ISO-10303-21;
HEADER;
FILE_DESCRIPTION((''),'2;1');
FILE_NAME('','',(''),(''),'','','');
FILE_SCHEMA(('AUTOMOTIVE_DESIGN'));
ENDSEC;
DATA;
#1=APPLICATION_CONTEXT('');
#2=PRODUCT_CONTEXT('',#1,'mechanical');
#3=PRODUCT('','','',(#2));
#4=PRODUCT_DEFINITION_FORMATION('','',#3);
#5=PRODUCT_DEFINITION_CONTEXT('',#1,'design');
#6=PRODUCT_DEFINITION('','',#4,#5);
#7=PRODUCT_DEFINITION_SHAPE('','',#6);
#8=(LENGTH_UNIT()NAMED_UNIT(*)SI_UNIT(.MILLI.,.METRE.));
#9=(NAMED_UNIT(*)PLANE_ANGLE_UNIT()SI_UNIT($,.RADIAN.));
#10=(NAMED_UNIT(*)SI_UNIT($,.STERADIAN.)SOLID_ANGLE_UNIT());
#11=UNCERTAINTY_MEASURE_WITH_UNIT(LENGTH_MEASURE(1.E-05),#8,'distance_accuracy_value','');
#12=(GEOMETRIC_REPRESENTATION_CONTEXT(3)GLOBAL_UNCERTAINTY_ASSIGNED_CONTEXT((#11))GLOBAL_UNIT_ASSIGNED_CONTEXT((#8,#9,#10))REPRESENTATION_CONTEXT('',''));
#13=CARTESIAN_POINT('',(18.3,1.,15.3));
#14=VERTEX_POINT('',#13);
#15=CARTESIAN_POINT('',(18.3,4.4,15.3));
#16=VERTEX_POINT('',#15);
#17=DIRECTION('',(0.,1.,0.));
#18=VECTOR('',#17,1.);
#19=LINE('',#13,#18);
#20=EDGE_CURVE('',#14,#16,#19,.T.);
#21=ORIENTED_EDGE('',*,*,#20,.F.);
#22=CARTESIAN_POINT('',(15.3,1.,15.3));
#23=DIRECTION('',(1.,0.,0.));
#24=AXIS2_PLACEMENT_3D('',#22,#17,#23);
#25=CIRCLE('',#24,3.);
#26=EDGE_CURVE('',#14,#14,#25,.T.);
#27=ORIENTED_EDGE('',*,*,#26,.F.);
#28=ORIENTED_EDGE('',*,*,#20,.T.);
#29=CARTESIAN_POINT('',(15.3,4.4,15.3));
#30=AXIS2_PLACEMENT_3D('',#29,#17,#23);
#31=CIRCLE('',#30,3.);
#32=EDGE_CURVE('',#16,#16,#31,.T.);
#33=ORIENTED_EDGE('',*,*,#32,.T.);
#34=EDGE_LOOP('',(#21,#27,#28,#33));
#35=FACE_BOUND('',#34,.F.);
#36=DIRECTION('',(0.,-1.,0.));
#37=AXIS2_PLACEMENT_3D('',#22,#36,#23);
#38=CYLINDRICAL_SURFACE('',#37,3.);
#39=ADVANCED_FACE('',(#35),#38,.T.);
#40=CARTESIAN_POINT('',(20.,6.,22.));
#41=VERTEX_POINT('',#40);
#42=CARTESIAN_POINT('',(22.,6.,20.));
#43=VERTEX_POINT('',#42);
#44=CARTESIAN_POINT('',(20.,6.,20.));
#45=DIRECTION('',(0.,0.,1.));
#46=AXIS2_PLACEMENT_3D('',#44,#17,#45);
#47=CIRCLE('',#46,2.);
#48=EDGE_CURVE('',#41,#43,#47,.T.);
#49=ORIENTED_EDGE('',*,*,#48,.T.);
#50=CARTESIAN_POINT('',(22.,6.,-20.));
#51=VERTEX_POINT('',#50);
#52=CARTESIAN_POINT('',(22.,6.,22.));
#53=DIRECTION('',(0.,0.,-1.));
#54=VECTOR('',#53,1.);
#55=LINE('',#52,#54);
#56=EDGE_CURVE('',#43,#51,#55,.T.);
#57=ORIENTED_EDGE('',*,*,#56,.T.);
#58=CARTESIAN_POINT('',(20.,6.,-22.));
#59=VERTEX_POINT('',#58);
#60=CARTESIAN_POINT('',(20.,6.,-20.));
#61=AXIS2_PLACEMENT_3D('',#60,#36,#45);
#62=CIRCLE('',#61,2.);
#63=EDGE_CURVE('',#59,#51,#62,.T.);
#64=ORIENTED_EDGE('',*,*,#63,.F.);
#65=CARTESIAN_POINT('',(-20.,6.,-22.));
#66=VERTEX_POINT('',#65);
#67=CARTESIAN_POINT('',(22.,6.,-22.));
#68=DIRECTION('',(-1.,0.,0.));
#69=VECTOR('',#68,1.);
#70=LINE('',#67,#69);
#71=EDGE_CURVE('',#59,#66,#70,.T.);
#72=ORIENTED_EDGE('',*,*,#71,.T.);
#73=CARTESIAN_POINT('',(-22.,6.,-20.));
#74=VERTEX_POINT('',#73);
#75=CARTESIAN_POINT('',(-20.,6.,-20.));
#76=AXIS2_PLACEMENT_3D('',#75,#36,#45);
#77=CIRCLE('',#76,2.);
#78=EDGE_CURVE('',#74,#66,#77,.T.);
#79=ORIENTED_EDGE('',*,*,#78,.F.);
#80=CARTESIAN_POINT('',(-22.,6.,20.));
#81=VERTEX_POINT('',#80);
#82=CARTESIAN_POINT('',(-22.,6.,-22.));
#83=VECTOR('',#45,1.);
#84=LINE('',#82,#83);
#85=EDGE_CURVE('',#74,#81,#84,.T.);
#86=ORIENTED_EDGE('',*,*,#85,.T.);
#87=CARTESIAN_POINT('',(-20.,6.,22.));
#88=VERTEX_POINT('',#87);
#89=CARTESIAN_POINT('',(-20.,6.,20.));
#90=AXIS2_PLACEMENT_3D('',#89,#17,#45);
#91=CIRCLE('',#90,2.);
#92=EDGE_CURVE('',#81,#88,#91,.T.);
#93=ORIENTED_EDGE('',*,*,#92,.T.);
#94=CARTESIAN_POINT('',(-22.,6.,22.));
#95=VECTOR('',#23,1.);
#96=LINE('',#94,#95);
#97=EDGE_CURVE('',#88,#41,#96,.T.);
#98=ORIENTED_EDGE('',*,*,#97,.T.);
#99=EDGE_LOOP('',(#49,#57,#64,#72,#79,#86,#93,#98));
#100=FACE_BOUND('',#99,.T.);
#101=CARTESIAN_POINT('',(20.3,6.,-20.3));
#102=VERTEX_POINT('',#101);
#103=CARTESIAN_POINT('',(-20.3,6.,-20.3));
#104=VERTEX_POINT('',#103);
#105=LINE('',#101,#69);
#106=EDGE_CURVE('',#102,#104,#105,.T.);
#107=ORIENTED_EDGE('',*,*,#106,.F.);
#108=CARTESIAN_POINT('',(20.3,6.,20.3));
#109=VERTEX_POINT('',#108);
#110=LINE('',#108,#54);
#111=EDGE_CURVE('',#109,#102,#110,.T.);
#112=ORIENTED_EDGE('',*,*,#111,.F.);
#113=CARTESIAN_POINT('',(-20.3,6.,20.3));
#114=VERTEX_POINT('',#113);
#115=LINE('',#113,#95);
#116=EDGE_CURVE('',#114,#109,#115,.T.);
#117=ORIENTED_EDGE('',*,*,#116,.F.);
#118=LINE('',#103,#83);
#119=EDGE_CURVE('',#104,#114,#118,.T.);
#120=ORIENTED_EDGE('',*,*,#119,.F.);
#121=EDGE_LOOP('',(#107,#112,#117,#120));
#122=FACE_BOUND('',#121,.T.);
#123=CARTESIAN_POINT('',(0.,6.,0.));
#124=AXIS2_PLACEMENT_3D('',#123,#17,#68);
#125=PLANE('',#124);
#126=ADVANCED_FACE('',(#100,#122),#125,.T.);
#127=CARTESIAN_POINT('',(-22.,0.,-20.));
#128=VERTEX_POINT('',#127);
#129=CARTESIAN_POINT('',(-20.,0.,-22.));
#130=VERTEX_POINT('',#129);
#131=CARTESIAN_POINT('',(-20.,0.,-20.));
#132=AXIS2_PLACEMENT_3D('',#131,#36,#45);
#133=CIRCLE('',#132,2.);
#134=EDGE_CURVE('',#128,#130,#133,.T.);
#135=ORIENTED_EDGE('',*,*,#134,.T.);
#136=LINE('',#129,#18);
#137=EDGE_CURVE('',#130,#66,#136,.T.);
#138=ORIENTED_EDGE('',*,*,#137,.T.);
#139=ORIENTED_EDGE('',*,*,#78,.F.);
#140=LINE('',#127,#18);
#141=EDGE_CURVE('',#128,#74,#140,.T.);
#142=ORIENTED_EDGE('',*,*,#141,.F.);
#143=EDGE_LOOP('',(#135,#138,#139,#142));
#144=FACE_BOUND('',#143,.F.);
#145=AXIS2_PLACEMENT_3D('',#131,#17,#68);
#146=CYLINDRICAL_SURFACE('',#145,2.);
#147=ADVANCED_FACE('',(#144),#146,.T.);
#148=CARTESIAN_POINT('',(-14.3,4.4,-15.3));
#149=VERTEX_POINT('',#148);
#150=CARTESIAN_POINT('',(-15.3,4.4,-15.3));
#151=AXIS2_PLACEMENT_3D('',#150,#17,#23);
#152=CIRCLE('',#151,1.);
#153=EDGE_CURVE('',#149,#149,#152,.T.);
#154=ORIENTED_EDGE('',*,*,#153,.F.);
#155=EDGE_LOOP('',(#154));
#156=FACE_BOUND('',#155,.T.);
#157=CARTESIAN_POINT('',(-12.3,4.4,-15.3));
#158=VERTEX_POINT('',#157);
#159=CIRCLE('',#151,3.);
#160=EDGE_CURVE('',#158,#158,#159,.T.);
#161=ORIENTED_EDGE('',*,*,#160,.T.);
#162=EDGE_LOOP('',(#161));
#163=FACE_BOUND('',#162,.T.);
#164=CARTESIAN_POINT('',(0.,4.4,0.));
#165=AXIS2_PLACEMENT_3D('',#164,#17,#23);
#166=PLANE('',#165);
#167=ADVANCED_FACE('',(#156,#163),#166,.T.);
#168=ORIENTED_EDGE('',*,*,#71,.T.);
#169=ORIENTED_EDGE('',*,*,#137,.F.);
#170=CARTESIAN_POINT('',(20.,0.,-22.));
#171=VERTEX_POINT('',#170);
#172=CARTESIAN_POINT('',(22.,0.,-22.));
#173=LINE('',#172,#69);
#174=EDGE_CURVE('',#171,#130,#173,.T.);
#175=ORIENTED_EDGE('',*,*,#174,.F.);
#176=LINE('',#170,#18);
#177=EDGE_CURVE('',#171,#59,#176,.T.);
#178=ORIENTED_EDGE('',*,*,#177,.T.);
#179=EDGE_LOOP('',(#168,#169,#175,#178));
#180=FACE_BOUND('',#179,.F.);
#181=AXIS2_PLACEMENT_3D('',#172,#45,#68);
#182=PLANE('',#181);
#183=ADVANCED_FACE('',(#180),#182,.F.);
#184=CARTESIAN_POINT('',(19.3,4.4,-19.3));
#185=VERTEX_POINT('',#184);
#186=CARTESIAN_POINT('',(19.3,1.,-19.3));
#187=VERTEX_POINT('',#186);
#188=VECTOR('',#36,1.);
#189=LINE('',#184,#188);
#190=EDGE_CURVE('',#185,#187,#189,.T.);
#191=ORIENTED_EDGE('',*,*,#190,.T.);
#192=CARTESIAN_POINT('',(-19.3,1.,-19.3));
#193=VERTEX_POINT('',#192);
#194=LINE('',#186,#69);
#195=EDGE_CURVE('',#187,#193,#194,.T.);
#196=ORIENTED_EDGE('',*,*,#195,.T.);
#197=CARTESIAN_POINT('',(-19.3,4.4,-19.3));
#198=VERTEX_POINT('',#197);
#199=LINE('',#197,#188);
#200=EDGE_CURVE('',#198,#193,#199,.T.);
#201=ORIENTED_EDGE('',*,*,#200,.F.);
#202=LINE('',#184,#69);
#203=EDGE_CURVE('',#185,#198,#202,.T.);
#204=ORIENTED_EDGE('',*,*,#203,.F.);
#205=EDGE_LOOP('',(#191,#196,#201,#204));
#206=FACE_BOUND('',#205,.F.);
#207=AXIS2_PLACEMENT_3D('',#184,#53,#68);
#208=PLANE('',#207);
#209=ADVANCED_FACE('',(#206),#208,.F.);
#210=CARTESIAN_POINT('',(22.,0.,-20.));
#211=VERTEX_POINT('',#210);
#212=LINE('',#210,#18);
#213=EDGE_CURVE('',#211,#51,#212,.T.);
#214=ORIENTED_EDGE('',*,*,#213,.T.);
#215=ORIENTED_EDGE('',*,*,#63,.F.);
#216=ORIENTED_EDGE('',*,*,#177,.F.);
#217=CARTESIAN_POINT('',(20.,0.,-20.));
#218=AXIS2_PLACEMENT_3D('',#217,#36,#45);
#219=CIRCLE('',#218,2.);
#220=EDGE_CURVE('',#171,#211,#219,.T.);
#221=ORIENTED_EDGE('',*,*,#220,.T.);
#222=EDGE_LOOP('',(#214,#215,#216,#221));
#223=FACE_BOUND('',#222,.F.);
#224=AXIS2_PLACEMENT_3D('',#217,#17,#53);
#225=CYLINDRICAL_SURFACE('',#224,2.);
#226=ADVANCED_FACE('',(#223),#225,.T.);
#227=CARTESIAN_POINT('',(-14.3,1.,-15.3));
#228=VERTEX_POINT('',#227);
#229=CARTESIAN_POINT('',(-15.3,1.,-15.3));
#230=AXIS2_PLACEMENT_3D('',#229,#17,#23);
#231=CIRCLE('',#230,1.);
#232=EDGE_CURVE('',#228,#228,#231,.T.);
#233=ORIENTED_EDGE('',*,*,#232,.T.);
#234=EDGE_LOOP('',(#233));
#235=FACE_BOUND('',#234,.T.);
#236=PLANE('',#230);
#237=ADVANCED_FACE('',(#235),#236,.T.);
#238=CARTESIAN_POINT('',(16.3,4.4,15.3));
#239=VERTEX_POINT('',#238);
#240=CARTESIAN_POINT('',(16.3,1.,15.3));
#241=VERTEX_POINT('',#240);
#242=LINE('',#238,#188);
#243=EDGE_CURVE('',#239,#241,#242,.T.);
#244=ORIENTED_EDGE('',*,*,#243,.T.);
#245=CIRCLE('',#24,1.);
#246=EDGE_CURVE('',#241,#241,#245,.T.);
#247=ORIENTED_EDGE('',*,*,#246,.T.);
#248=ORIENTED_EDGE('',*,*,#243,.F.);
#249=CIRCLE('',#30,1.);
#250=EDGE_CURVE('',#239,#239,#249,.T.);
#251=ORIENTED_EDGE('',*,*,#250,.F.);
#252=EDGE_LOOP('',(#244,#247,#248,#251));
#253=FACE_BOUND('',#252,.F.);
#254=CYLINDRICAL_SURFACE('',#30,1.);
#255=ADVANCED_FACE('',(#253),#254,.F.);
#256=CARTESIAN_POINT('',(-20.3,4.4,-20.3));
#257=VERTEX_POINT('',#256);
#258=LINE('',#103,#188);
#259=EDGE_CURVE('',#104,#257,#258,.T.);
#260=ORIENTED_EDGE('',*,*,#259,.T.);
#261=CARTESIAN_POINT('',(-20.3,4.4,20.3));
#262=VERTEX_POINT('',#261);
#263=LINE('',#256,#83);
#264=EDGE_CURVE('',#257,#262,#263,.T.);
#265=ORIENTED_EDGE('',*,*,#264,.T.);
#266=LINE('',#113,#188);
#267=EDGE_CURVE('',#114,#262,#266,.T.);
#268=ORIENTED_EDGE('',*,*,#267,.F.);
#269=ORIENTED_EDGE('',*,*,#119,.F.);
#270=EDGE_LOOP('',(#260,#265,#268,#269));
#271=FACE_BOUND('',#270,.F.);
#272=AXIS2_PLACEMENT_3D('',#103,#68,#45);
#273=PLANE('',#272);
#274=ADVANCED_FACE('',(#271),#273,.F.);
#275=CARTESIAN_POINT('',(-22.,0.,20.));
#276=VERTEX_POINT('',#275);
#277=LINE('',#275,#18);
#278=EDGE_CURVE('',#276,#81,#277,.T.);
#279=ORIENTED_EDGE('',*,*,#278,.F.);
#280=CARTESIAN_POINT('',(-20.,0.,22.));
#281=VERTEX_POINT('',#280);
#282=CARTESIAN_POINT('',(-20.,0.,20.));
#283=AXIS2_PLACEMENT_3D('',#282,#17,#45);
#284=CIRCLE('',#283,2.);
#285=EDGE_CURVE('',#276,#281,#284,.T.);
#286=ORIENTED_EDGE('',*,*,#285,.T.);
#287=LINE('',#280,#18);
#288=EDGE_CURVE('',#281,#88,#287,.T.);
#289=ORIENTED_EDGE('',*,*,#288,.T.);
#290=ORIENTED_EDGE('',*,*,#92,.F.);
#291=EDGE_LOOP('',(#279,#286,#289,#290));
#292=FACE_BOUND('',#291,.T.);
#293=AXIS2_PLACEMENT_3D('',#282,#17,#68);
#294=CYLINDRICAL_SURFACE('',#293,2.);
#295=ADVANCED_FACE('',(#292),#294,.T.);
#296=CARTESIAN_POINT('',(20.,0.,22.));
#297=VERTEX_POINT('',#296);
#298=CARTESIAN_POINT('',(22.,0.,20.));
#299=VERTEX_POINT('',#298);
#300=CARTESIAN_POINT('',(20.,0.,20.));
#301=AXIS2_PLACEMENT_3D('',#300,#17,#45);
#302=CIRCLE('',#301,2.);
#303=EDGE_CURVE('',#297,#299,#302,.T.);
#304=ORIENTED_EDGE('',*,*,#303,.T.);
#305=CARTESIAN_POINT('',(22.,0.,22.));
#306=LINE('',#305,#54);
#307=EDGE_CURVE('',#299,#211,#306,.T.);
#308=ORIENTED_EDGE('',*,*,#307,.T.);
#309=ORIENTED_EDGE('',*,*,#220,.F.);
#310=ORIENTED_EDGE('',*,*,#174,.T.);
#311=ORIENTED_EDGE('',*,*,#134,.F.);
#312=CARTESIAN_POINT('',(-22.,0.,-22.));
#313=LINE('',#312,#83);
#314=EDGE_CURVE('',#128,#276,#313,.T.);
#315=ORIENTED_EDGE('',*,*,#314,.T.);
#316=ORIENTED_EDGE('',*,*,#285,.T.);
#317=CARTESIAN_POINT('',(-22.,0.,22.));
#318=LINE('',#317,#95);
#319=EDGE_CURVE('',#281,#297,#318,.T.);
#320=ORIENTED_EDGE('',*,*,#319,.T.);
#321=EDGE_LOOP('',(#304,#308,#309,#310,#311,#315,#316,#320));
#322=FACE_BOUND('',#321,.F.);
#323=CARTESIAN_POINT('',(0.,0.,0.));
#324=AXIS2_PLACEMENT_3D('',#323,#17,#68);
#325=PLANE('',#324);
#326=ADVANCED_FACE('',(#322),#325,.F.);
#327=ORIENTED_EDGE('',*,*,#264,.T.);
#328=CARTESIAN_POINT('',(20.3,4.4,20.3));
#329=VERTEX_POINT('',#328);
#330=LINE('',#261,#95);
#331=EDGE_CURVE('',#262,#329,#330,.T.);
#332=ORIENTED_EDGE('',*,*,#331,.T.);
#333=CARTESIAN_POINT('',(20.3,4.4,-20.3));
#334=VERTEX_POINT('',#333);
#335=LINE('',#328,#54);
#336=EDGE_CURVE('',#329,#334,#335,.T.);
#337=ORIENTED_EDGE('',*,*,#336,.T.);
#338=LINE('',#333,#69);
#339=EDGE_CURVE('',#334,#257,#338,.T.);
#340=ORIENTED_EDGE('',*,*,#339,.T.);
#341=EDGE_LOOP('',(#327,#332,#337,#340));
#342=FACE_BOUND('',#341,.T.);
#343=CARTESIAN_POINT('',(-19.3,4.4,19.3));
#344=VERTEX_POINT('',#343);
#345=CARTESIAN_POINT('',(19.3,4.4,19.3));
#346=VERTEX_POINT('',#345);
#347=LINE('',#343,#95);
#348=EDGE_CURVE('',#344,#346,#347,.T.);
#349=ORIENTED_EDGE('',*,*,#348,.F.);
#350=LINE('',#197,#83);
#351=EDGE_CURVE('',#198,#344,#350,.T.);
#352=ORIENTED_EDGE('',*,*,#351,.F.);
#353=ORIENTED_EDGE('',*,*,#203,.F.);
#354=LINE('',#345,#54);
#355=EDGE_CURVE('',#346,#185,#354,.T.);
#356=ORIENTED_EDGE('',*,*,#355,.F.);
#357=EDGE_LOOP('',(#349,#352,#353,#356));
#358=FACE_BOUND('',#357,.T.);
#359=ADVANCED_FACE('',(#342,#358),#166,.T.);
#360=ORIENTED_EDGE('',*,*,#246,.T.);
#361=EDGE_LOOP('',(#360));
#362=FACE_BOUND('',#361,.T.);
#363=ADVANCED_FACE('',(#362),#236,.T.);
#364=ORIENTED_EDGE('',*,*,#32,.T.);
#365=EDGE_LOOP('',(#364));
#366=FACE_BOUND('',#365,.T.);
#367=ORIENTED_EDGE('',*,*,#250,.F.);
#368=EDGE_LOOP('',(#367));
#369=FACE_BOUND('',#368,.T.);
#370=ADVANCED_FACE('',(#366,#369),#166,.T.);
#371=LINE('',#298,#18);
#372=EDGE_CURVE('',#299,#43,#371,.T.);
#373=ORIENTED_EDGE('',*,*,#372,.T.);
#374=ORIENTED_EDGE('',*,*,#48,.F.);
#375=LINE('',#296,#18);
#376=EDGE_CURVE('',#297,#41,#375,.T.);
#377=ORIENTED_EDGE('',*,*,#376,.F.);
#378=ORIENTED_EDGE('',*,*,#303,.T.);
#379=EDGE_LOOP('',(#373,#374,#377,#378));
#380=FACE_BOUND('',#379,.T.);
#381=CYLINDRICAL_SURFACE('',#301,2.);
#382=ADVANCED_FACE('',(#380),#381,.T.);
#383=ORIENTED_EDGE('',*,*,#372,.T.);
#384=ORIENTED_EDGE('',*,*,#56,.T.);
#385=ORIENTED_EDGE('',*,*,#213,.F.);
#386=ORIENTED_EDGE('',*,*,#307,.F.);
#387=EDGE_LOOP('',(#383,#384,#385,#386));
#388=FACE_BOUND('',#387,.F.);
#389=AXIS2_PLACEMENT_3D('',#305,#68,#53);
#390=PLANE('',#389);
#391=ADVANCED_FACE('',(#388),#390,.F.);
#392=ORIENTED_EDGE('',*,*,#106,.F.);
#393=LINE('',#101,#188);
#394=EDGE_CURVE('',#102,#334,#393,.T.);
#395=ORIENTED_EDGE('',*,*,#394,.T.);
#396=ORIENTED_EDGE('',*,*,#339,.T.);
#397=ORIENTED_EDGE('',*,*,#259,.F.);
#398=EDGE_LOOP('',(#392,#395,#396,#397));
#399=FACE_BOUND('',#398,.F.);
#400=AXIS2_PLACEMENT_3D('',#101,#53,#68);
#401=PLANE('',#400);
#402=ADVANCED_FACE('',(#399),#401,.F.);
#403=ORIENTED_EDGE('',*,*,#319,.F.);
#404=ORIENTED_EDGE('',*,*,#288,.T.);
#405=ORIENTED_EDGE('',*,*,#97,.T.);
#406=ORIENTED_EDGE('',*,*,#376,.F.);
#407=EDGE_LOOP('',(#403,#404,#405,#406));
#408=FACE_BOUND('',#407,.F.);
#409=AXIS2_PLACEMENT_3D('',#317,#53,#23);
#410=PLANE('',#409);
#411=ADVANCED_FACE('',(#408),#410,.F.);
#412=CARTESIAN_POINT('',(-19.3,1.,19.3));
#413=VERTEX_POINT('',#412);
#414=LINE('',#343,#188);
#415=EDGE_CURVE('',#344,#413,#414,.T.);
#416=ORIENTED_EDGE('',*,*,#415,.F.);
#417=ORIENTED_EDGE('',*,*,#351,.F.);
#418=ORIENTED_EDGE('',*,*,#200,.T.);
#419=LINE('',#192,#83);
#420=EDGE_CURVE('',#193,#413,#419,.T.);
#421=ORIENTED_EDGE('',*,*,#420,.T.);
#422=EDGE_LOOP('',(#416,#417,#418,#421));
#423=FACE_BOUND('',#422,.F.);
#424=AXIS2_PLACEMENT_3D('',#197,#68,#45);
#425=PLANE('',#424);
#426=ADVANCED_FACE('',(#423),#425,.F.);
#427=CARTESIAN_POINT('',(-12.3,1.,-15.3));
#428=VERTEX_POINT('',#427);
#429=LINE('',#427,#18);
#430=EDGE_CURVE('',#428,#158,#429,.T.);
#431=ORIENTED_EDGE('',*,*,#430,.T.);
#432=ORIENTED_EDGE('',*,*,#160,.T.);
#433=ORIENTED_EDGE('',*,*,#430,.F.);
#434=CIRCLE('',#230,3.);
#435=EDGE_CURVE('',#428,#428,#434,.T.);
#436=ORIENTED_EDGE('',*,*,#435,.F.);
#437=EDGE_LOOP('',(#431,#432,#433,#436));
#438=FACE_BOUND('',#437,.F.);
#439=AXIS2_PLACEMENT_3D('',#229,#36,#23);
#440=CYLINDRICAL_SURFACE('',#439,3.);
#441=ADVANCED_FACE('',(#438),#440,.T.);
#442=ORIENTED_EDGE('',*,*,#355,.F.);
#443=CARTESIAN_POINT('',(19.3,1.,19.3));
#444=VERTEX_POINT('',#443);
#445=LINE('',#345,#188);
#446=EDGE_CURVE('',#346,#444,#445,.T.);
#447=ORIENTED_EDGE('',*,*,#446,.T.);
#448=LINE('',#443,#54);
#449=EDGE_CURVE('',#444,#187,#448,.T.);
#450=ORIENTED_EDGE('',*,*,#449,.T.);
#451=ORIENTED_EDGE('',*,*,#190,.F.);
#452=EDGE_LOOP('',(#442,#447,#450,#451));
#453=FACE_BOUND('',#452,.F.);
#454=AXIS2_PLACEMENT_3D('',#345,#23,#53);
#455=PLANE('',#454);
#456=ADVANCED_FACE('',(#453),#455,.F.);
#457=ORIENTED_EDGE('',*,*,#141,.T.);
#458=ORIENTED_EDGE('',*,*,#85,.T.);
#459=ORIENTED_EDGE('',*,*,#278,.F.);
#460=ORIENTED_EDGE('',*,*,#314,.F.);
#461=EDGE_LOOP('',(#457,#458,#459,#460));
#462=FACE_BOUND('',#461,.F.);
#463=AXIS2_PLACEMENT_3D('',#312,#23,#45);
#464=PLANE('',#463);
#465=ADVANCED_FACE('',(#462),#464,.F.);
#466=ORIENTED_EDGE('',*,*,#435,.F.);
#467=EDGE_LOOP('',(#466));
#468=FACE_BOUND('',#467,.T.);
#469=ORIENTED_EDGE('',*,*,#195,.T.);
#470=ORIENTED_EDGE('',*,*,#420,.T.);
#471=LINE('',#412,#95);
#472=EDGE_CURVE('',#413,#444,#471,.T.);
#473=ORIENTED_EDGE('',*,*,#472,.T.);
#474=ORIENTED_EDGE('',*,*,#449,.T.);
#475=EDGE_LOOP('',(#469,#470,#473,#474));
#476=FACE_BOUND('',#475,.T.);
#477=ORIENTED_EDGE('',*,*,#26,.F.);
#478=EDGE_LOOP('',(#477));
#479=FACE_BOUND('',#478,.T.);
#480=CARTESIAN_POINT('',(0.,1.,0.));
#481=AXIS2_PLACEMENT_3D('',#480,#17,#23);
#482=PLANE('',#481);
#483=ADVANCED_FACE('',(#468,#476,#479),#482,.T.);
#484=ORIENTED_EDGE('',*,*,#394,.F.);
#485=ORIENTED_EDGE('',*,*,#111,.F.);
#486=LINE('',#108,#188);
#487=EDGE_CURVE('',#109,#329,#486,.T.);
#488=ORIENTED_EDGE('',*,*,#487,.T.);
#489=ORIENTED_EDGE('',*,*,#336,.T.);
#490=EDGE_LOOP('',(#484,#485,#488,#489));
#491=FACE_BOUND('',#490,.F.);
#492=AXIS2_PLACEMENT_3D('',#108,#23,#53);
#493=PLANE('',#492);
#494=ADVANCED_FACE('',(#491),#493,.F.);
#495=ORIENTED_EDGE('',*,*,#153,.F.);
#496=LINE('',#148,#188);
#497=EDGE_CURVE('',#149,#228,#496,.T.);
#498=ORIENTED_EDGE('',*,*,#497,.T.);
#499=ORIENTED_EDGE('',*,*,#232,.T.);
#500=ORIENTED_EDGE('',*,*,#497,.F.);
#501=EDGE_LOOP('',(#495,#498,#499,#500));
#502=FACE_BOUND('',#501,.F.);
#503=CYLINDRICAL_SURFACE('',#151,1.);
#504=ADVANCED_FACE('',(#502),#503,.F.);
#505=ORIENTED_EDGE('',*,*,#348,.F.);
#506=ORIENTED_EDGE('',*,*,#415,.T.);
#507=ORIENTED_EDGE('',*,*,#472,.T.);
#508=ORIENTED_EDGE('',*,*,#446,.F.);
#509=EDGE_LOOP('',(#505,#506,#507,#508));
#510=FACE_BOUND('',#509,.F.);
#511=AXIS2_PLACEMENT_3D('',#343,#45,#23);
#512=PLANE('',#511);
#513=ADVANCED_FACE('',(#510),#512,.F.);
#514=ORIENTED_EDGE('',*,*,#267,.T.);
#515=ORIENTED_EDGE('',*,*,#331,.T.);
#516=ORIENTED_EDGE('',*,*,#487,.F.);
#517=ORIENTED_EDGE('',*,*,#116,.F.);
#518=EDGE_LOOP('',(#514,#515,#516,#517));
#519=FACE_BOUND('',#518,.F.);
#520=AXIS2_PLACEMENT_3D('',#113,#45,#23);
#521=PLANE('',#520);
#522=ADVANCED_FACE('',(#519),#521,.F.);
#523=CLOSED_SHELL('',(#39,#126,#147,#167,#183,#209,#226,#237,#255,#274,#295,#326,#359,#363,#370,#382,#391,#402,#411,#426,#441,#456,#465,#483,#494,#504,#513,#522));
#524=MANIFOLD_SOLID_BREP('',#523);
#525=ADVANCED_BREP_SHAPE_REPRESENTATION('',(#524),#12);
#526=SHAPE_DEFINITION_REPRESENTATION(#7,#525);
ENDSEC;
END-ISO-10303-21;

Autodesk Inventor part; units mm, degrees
ref_plane "YZ Plane" through (0, 0, 0) normal (1, 0, 0) x (0, 1, 0)
ref_plane "XZ Plane" through (0, 0, 0) normal (0, 1, 0) x (-1, 0, 0)
ref_plane "XY Plane" through (0, 0, 0) normal (0, 0, 1) x (1, 0, 0)
sketch "Sketch1" plane through (0, 0, 0) normal (0, 1, 0) x (-1, 0, 0)
  line L0 (22, 22) -> (-22, 22)
  line L1 (-22, 22) -> (-22, -22)
  line L2 (-22, -22) -> (22, -22)
  line L3 (22, -22) -> (22, 22)
  line L4 (22, 22) -> (-22, -22) construction
  line L5 (-22, 22) -> (22, -22) construction
  point P0 (0, 0)
  dimension "d0" = 44
  dimension "d1" = 44
extrude "Extrusion1" add sketch "Sketch1" along normal blind 6
sketch "Sketch2" plane through (0, 6, 0) normal (0, 1, 0) x (1, 0, 0)
  line L0 (-20.3, -20.3) -> (20.3, -20.3)
  line L1 (20.3, -20.3) -> (20.3, 20.3)
  line L2 (20.3, 20.3) -> (-20.3, 20.3)
  line L3 (-20.3, 20.3) -> (-20.3, -20.3)
  line L4 (-20.3, -20.3) -> (20.3, 20.3) construction
  line L5 (20.3, -20.3) -> (-20.3, 20.3) construction
  point P0 (0, 0)
  dimension "d4" = 40.6
  dimension "d5" = 40.6
extrude "Extrusion2" cut sketch "Sketch2" against normal blind 1.6
sketch "Sketch3" plane through (0, 4.4, 0) normal (0, 1, 0) x (1, 0, 0)
  line L0 (-19.3, -19.3) -> (19.3, -19.3)
  line L1 (19.3, -19.3) -> (19.3, 19.3)
  line L2 (19.3, 19.3) -> (-19.3, 19.3)
  line L3 (-19.3, 19.3) -> (-19.3, -19.3)
  line L4 (-19.3, -19.3) -> (19.3, 19.3) construction
  line L5 (19.3, -19.3) -> (-19.3, 19.3) construction
  point P0 (0, 0)
  dimension "d8" = 38.6
  dimension "d9" = 38.6
extrude "Extrusion3" cut sketch "Sketch3" against normal blind 3.4
sketch "Sketch4" plane through (0, 1, 0) normal (0, 1, 0) x (1, 0, 0)
  circle A0 centre (-15.3, 15.3) radius 3
  circle A1 centre (15.3, -15.3) radius 3
  line L0 (-20.3, 20.3) -> (20.3, 20.3) projected
  line L1 (-20.3, -20.3) -> (-20.3, 20.3) projected
  line L2 (20.3, 20.3) -> (20.3, -20.3) projected
  line L3 (20.3, -20.3) -> (-20.3, -20.3) projected
  point P0 (0, 0)
  dimension "d12" = 5
  dimension "d13" = 5
  dimension "d14" = 6
  dimension "d15" = 5
  dimension "d16" = 5
  dimension "d17" = 6
extrude "Extrusion4" add sketch "Sketch4" along normal blind 3.4 contours A0 | A1
sketch "Sketch5" plane through (-15.3, 4.4, -15.3) normal (0, 1, 0) x (1, 0, 0)
  circle A0 centre (0, 0) radius 1
  circle A1 centre (30.6, -30.6) radius 3 projected
  circle A2 centre (30.6, -30.6) radius 1
  point P0 (15.3, -15.3)
  dimension "d20" = 2
  dimension "d21" = 2
extrude "Extrusion5" cut sketch "Sketch5" against normal blind 3.4 contours A0 | A2
fillet "Fillet1" radius 2 4 edges at (-22, 3, -22) (22, 3, -22) (22, 3, 22) (-22, 3, 22)
properties part number "elec_detect_bucket"
